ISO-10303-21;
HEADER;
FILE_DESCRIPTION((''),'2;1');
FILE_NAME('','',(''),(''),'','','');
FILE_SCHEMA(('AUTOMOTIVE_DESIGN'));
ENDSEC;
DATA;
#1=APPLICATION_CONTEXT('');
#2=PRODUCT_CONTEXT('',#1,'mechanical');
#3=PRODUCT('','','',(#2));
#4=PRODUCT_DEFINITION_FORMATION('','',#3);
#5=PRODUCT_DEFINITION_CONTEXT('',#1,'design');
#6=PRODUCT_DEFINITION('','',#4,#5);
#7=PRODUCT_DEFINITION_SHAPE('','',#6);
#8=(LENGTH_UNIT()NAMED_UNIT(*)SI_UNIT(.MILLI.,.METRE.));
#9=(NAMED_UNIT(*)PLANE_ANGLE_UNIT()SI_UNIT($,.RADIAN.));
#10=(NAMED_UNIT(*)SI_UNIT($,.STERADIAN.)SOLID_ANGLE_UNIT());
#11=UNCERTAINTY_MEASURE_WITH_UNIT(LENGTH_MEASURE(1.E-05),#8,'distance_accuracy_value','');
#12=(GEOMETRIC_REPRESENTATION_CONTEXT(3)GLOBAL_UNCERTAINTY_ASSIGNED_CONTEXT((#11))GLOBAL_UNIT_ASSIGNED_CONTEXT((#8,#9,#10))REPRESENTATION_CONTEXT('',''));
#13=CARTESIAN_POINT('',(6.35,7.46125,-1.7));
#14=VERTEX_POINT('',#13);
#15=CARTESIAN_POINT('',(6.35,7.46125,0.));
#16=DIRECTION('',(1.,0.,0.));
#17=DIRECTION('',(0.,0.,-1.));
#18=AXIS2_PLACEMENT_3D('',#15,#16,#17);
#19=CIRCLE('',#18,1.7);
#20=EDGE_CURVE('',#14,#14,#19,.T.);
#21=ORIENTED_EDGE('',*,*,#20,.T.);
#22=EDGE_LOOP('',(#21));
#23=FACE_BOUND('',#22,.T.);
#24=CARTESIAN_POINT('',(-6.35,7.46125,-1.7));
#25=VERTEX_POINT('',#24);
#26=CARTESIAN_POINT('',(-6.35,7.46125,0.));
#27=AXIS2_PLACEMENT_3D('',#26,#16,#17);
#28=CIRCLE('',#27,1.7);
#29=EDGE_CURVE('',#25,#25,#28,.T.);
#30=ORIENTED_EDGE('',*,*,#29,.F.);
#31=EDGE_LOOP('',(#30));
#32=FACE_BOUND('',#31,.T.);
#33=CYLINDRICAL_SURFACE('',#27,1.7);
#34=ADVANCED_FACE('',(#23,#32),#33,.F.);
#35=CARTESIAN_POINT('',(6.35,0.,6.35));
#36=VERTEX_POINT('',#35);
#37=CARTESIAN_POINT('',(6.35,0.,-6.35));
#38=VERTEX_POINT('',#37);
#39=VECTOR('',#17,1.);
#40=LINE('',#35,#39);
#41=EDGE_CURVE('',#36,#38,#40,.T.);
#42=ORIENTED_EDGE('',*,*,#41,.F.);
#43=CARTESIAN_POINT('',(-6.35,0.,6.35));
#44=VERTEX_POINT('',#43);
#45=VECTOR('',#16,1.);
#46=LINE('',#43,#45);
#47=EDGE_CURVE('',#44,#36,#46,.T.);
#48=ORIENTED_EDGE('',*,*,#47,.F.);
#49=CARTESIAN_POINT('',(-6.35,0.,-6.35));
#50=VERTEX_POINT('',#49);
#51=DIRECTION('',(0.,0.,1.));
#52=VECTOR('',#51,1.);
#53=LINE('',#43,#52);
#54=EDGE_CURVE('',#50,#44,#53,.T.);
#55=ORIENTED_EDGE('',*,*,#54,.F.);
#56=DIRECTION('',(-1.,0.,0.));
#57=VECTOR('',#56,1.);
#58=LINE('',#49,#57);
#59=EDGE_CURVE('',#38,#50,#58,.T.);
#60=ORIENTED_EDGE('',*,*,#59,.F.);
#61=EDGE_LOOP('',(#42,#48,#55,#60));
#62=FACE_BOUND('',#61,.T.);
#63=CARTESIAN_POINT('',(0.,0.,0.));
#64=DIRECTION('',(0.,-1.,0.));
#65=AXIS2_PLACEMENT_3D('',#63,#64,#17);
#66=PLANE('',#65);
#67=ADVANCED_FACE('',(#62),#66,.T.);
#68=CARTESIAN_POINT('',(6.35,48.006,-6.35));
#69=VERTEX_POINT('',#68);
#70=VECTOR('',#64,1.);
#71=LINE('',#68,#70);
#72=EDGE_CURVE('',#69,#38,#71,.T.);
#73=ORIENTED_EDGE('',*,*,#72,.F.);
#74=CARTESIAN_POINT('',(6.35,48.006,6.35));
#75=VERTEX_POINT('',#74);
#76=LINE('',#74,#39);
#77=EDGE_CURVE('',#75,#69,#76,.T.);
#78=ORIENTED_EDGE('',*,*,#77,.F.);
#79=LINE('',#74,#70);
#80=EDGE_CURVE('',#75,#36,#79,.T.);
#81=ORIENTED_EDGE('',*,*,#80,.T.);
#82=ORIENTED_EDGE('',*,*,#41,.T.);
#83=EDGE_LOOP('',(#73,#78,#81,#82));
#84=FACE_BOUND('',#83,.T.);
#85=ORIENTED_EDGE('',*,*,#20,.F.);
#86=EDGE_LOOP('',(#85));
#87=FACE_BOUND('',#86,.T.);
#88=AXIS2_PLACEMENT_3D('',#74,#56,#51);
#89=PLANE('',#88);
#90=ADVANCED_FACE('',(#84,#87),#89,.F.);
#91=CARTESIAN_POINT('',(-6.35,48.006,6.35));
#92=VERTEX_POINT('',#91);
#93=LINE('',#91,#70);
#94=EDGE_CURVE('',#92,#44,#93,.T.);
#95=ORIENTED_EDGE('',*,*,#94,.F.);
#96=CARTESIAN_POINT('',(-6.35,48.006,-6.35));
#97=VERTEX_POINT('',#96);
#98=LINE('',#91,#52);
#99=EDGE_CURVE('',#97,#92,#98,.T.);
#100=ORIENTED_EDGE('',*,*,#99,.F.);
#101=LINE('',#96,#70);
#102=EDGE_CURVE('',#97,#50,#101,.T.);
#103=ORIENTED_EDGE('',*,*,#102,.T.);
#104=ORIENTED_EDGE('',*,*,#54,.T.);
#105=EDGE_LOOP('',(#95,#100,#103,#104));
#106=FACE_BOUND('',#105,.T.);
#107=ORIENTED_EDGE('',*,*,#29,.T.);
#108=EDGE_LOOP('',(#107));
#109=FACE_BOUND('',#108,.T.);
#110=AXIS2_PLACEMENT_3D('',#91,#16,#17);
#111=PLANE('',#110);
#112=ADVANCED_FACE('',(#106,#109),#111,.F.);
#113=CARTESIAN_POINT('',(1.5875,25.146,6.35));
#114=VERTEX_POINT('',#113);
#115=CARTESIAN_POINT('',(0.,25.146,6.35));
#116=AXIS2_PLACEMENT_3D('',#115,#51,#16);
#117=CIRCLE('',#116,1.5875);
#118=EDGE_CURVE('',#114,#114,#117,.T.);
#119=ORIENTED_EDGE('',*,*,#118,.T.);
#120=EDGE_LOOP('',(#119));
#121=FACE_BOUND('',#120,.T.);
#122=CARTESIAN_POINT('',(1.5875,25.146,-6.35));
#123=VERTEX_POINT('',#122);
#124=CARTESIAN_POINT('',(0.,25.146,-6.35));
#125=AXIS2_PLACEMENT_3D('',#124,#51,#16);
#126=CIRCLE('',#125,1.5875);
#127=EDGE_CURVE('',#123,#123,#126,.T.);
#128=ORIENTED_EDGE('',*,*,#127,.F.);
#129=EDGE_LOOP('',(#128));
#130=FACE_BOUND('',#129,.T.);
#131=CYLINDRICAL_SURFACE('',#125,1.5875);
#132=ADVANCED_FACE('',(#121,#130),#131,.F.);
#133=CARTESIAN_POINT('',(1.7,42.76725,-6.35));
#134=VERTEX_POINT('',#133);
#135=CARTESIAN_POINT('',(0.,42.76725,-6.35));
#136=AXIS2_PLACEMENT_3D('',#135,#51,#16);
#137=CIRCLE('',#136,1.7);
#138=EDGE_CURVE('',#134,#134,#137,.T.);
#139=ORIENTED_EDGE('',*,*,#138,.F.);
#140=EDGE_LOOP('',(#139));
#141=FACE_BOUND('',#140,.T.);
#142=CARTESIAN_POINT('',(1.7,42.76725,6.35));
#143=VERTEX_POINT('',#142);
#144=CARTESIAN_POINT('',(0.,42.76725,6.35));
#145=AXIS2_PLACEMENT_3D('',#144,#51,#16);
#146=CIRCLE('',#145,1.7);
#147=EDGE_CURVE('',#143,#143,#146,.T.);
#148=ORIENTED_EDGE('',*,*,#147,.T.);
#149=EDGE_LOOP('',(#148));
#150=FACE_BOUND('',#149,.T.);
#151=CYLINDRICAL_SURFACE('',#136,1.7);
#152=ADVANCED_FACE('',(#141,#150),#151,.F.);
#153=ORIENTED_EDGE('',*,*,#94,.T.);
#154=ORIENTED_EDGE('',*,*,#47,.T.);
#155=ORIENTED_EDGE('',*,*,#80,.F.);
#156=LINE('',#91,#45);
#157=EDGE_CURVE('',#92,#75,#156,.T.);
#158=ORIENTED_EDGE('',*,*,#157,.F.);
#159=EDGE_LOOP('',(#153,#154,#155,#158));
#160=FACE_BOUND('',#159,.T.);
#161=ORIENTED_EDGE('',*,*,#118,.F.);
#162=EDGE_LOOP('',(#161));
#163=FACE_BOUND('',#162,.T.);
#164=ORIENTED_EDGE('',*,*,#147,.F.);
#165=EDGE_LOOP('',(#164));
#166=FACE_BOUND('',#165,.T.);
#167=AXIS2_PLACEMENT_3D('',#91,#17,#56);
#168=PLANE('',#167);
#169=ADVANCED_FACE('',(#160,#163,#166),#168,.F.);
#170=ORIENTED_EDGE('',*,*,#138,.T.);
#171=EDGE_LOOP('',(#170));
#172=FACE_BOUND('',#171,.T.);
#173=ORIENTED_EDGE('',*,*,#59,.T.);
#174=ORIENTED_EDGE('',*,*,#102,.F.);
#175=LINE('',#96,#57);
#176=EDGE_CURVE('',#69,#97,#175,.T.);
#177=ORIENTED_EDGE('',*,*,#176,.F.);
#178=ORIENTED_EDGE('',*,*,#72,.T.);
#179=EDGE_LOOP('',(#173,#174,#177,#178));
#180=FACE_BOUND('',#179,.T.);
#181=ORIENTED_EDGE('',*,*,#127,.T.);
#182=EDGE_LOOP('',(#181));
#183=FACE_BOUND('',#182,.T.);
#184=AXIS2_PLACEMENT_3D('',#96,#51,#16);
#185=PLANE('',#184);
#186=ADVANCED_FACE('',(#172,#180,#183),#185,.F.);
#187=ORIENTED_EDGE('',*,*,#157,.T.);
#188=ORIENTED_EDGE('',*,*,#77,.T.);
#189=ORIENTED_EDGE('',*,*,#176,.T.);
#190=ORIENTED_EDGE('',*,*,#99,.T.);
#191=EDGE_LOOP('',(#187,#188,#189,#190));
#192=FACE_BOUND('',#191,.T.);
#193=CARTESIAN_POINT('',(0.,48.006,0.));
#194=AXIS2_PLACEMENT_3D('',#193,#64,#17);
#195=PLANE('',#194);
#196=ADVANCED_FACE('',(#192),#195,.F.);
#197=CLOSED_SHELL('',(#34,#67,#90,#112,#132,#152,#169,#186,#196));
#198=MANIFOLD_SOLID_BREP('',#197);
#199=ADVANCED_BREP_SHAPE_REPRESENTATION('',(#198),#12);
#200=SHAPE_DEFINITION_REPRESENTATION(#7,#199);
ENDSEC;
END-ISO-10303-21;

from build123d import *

# Parameters (mm, degrees)
SKETCH1_W           = 12.7
SKETCH1_H           = 12.7
BOSS_EXTRUDE1_DEPTH = 48.006
SKETCH2_R           = 1.5875
CUT_EXTRUDE1_DEPTH  = 51.061847109
SKETCH3_R           = 1.7
CUT_EXTRUDE2_DEPTH  = 51.061847109
SKETCH4_R           = 1.7
CUT_EXTRUDE3_DEPTH  = 51.061847109


with BuildPart() as part:
    # Sketch1 → Boss-Extrude1 (new body)
    with BuildSketch(Plane(origin=(0, 0, 0), x_dir=(1, 0, 0), z_dir=(0, 1, 0))):
        Rectangle(SKETCH1_W, SKETCH1_H)
    extrude(amount=BOSS_EXTRUDE1_DEPTH)

    # Sketch2 → Cut-Extrude1 (cut, through all)
    with BuildSketch(Plane.XY.offset(6.35)):
        with Locations((0, 25.146)):
            Circle(SKETCH2_R)
    extrude(amount=-CUT_EXTRUDE1_DEPTH, mode=Mode.SUBTRACT)

    # Sketch3 → Cut-Extrude2 (cut, through all)
    with BuildSketch(Plane.XY.offset(6.35)):
        with Locations((0, 42.76725)):
            Circle(SKETCH3_R)
    extrude(amount=-CUT_EXTRUDE2_DEPTH, mode=Mode.SUBTRACT)

    # Sketch4 → Cut-Extrude3 (cut, through all)
    with BuildSketch(Plane(origin=(6.35, 0, 0), x_dir=(0, 0, -1), z_dir=(1, 0, 0))):
        with Locations((0, 7.46125)):
            Circle(SKETCH4_R)
    extrude(amount=-CUT_EXTRUDE3_DEPTH, mode=Mode.SUBTRACT)


solid = part.part
